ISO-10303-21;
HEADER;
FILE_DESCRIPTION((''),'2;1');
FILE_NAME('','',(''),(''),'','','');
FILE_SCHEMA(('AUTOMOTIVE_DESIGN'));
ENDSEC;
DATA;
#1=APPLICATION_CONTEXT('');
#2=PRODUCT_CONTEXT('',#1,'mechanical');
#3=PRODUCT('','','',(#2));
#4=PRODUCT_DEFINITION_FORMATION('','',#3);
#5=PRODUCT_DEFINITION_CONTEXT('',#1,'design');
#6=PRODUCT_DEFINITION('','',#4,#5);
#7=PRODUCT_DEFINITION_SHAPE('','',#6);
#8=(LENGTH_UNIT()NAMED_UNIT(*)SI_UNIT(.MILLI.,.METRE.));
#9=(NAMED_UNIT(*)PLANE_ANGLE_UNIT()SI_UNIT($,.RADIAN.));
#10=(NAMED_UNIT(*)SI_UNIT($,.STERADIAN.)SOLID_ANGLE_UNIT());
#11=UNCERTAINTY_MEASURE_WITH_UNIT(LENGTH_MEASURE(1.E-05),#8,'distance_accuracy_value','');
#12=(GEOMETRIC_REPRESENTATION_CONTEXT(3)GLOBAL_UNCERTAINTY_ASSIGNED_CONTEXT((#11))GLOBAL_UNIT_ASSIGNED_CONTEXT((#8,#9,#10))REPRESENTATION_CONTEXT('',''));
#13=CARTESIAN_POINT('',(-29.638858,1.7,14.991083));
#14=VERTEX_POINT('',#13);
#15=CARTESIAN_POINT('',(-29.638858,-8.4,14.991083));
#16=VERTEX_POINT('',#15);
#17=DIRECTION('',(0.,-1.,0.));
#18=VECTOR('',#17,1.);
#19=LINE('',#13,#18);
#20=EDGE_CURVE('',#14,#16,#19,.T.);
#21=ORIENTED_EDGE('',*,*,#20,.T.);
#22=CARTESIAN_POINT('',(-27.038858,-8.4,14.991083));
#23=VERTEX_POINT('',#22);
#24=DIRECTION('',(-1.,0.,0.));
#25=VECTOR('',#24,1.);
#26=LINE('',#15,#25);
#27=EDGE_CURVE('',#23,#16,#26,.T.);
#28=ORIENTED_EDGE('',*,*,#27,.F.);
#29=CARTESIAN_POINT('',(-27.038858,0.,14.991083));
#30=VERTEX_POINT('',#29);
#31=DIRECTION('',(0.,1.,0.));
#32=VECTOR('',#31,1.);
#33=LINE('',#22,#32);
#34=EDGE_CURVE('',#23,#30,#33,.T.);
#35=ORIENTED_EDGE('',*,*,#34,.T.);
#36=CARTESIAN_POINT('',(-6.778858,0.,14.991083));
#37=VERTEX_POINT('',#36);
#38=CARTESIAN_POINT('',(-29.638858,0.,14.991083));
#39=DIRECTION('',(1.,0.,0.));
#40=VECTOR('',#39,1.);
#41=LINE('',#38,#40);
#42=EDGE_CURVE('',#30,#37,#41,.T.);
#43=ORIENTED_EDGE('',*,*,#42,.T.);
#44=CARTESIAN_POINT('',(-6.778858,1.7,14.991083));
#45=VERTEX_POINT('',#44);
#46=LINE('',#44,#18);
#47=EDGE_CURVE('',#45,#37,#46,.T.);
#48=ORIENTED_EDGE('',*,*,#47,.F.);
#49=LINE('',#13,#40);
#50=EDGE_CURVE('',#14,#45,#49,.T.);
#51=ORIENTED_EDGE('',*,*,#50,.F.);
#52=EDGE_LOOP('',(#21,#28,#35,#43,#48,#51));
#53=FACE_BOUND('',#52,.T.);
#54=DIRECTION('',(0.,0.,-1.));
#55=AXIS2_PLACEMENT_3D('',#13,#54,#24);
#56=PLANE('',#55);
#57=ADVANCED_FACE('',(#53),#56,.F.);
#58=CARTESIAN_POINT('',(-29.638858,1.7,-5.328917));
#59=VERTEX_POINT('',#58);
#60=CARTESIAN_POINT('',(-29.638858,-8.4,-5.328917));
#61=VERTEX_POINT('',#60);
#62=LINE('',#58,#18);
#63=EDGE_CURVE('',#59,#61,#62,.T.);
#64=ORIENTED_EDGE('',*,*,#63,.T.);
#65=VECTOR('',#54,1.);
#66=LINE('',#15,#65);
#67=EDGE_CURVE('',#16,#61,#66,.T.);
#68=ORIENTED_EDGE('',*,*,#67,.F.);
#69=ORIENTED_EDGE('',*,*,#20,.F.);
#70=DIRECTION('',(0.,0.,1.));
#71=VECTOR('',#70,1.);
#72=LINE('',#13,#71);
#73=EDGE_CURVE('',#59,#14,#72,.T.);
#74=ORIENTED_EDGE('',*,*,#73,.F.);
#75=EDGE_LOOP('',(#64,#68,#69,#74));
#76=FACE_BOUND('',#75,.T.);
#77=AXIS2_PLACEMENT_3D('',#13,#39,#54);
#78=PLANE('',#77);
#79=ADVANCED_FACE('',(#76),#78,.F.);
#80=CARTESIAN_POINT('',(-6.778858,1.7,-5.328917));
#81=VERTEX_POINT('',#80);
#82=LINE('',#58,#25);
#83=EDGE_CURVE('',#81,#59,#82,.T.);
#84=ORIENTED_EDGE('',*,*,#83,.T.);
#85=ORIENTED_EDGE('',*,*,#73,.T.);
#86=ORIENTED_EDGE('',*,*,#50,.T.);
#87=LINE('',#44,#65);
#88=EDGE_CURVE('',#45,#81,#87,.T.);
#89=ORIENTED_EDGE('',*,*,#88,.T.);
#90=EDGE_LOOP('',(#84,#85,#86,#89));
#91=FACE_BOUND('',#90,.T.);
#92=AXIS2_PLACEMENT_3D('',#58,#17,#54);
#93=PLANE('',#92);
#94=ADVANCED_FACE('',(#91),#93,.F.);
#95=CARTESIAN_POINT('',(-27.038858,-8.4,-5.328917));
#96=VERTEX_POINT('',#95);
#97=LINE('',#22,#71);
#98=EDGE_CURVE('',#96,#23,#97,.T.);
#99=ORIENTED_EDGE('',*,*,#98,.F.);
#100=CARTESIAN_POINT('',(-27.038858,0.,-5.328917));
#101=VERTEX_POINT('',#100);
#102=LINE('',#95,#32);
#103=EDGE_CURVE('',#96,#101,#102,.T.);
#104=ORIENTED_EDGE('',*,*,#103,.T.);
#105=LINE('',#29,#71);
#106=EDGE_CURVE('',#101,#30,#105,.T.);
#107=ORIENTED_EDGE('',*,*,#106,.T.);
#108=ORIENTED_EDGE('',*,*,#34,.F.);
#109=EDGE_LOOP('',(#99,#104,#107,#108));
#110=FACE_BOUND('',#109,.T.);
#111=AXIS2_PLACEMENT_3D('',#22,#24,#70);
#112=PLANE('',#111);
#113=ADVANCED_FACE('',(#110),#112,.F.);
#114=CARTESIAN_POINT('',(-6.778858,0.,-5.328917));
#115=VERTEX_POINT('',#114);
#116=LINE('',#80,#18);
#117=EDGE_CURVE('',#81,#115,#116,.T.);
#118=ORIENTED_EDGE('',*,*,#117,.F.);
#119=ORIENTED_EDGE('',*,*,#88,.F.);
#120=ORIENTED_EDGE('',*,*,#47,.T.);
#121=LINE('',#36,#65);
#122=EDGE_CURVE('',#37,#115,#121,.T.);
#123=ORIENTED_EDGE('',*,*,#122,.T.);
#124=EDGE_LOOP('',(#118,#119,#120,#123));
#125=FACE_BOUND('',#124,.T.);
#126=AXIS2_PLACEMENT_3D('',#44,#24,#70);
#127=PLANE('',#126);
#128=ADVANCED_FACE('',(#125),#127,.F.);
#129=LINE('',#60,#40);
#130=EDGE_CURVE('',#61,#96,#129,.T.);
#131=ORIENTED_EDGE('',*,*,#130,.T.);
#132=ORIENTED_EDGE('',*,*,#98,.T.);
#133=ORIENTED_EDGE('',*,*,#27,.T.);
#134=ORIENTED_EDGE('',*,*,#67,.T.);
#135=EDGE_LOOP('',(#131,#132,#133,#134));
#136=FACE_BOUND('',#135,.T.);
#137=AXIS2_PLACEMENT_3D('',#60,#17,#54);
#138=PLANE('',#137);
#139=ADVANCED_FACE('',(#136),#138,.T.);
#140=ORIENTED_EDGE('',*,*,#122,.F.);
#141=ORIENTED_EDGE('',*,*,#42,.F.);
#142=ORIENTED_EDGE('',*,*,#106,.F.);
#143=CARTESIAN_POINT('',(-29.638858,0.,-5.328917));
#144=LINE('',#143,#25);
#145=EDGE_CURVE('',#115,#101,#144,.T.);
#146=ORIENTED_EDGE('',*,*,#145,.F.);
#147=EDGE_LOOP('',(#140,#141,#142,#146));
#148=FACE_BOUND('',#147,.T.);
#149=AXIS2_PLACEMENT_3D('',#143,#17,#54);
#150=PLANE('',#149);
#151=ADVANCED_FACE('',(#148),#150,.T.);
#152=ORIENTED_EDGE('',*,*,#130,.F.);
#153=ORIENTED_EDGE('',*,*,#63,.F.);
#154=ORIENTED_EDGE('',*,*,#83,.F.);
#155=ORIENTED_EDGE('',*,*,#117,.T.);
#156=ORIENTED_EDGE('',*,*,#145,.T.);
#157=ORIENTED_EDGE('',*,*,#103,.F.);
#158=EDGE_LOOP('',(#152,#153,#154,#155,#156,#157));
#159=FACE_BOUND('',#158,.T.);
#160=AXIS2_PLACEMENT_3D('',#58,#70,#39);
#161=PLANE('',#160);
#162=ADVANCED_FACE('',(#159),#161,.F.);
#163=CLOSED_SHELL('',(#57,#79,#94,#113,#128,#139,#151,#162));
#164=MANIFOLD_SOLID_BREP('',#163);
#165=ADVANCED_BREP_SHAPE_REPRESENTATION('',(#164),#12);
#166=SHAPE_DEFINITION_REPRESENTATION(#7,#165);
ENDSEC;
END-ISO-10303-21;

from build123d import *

# Parameters (mm, degrees)
SKETCH1_W      = 22.86
SKETCH1_H      = 20.32
EXTRUDE1_DEPTH = 1.7
SKETCH2_W      = 2.6
SKETCH2_H      = 20.32
EXTRUDE2_DEPTH = 8.4


with BuildPart() as part:
    # Sketch1 → Extrude1 (new body)
    with BuildSketch(Plane(origin=(0, 0, 0), x_dir=(1, 0, 0), z_dir=(0, 1, 0))):
        with Locations((-18.208858156, -4.831082697)):
            Rectangle(SKETCH1_W, SKETCH1_H)
    extrude(amount=EXTRUDE1_DEPTH)

    # Sketch2 → Extrude2 (add)
    with BuildSketch(Plane.XZ):
        with Locations((-28.338858156, 4.831082697)):
            Rectangle(SKETCH2_W, SKETCH2_H)
    extrude(amount=EXTRUDE2_DEPTH)


solid = part.part
